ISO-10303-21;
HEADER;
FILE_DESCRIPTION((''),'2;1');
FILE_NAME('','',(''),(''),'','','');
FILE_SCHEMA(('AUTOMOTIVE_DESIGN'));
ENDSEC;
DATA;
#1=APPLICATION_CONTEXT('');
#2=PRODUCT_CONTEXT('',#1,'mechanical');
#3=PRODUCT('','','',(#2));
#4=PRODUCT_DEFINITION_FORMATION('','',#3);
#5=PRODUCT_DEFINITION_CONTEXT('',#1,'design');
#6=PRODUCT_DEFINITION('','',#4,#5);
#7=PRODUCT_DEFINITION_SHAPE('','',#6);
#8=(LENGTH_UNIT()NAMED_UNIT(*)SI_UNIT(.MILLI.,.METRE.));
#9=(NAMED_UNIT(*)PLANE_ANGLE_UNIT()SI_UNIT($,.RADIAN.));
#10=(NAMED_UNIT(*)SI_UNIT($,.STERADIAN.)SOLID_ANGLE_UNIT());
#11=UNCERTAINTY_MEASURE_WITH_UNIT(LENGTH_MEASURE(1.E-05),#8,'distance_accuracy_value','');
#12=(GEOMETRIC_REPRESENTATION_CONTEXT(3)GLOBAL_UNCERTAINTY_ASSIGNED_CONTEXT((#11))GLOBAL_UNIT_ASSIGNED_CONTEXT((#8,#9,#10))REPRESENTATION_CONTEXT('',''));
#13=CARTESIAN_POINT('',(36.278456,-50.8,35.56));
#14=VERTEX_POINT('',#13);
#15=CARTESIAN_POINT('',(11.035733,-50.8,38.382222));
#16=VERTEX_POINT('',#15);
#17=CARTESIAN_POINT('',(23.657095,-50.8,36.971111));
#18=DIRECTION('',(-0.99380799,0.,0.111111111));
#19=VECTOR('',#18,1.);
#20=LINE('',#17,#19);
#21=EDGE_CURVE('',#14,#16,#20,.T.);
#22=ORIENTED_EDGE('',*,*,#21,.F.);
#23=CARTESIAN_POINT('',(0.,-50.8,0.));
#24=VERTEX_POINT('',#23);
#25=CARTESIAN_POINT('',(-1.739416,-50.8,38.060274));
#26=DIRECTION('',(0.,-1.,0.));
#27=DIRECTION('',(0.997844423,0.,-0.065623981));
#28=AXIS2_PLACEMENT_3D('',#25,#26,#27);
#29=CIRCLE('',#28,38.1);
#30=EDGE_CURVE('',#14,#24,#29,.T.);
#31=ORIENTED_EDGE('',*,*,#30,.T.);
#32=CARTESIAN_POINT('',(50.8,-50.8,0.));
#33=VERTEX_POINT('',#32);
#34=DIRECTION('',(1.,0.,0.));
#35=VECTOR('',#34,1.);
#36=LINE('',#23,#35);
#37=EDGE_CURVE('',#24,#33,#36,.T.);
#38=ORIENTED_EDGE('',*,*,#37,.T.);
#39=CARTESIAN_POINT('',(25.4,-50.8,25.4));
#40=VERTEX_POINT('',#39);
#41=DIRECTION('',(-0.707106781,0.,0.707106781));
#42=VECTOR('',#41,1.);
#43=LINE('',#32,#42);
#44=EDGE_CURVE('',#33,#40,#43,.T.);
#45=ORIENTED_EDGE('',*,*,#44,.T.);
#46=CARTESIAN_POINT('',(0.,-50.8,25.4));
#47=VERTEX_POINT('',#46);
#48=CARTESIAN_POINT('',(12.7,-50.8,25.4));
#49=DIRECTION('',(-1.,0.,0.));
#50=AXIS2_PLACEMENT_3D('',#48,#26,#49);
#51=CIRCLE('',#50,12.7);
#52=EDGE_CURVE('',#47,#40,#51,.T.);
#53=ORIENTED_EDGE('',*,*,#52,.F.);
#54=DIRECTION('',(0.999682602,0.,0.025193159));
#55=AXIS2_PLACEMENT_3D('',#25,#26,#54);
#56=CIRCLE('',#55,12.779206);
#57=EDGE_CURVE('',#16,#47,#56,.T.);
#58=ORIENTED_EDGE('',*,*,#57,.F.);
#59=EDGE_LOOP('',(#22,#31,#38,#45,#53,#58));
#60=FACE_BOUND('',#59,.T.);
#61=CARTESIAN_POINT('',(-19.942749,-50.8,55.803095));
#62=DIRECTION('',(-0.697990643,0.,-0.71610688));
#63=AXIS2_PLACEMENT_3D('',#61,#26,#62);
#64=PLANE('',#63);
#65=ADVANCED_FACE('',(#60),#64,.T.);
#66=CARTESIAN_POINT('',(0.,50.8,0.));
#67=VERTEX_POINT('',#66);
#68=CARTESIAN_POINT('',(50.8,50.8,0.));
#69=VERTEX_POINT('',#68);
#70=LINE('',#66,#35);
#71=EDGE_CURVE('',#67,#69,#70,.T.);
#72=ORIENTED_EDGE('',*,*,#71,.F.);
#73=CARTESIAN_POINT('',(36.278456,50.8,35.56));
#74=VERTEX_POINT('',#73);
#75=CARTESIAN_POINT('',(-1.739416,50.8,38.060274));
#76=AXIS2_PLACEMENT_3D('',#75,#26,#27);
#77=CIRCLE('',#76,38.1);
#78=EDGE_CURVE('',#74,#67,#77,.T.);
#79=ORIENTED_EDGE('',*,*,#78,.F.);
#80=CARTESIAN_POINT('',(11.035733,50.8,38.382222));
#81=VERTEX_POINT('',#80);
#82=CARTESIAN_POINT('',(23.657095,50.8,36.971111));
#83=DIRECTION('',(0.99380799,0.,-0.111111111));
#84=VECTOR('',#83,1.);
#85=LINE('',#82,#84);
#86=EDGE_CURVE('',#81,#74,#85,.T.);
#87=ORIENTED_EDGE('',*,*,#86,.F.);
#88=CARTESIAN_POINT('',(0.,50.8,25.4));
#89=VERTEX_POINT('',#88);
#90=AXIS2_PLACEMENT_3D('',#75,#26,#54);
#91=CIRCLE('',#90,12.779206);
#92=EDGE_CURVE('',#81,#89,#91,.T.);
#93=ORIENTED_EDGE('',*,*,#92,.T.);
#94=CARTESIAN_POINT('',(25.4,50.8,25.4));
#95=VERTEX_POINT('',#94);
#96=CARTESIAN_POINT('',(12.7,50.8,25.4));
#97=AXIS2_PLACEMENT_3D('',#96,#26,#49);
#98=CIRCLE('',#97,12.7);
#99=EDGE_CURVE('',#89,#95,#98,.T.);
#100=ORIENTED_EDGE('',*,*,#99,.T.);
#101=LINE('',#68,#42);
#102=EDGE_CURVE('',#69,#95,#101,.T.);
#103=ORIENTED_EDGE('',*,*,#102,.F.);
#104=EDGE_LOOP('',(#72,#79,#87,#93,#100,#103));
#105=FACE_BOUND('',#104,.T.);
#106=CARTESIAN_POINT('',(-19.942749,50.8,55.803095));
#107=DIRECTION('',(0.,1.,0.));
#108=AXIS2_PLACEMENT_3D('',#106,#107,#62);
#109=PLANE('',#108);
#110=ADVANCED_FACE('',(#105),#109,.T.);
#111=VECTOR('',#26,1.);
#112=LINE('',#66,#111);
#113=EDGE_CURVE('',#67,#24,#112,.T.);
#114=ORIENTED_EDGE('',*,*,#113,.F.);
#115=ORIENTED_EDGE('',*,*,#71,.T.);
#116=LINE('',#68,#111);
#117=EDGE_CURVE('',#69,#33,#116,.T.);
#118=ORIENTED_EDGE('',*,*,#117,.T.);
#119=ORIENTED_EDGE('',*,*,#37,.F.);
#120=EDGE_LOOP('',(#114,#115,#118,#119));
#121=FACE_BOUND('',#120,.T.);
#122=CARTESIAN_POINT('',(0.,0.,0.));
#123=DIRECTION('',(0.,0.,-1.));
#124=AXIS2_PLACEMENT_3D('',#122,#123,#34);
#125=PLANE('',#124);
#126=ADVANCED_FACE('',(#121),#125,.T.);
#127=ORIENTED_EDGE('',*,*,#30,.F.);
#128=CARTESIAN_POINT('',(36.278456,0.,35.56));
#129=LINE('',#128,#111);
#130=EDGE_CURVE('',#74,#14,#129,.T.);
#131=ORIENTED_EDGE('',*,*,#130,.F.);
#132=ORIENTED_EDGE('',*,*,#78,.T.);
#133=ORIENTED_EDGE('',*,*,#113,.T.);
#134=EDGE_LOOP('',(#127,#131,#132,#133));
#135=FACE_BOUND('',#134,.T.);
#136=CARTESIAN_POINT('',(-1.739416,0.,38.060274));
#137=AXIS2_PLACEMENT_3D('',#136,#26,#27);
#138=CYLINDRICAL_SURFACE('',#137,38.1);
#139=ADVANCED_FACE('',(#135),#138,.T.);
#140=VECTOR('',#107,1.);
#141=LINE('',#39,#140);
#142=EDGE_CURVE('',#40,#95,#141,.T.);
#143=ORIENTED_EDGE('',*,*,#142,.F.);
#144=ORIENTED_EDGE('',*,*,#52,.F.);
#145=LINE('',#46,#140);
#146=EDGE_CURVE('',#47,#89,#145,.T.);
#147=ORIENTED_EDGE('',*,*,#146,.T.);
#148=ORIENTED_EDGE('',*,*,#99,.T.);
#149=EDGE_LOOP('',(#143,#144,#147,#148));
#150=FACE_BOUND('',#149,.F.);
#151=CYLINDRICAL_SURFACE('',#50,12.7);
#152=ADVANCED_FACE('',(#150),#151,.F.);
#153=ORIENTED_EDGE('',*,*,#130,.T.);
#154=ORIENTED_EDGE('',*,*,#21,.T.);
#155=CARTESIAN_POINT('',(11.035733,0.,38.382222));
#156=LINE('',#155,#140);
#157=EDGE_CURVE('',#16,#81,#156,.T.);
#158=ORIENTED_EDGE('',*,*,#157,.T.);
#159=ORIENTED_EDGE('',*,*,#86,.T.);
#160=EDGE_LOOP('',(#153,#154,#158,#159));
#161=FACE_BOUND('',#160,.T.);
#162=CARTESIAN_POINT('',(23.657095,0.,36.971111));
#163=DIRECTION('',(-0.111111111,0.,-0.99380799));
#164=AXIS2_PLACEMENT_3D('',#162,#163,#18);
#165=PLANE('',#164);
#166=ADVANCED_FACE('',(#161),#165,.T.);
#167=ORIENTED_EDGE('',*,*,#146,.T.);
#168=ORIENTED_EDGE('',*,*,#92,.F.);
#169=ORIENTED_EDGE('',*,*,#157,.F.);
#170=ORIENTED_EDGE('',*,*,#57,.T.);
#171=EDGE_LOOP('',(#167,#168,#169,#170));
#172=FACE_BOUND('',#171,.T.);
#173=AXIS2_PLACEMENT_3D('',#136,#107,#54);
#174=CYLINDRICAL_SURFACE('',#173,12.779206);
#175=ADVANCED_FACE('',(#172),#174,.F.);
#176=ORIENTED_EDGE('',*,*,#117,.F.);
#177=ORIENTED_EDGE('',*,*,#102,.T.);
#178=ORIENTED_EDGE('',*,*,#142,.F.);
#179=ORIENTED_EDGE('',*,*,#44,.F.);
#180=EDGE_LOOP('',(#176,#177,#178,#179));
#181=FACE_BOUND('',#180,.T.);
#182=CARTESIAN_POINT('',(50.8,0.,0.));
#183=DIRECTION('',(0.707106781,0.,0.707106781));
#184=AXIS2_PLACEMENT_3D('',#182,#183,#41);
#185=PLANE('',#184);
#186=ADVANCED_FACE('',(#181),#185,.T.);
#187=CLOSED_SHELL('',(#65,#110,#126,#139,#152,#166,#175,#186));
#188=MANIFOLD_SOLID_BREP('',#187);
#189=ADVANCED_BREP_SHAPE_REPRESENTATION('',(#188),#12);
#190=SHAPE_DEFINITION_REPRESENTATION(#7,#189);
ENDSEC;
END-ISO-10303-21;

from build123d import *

# Parameters (mm, degrees)
F1_DEPTH      = 50.8
F1_DEPTH_BACK = 50.8
F2_DEPTH      = 101.601
F1_FACE1_W    = 101.6
F1_FACE1_H    = 25.4


with BuildPart() as f1:
    # F0 (on Front) → F1 (new body, two sides)
    with BuildSketch(Plane.XZ) as f1_sk:
        Polygon((0, 25.4), (0, 0), (50.8, 0), (25.4, 25.4), align=None)
    extrude(amount=F1_DEPTH)
    extrude(f1_sk.sketch, amount=-F1_DEPTH_BACK)

    # F6 (on face) → F2 (cut, through all)
    with BuildSketch(Plane.XZ.offset(50.8)):
        with BuildLine():
            Line((0, 25.4), (25.4, 25.4))
            ThreePointArc((25.4, 25.4), (12.7, 38.1), (0, 25.4))
        make_face()
        with BuildLine():
            ThreePointArc((0, 25.4), (12.7, 12.7), (25.4, 25.4))
            Line((25.4, 25.4), (0, 25.4))
        make_face()
    extrude(amount=-F2_DEPTH, mode=Mode.SUBTRACT)

    # F4: sweep along a path in F3
    with BuildLine(Plane.XZ) as f4_path:
        ThreePointArc((36.278456417, 35.56), (-28.4094161115, 65.2691159795), (0, 0))
    # F1_face1 (on face) → F4 (sweep)
    with BuildSketch(Plane(origin=(0, 0, 12.7), x_dir=(0, -1, 0), z_dir=(-1, 0, 0))):
        Rectangle(F1_FACE1_W, F1_FACE1_H)
    sweep(path=f4_path.line)


solid = f1.part
